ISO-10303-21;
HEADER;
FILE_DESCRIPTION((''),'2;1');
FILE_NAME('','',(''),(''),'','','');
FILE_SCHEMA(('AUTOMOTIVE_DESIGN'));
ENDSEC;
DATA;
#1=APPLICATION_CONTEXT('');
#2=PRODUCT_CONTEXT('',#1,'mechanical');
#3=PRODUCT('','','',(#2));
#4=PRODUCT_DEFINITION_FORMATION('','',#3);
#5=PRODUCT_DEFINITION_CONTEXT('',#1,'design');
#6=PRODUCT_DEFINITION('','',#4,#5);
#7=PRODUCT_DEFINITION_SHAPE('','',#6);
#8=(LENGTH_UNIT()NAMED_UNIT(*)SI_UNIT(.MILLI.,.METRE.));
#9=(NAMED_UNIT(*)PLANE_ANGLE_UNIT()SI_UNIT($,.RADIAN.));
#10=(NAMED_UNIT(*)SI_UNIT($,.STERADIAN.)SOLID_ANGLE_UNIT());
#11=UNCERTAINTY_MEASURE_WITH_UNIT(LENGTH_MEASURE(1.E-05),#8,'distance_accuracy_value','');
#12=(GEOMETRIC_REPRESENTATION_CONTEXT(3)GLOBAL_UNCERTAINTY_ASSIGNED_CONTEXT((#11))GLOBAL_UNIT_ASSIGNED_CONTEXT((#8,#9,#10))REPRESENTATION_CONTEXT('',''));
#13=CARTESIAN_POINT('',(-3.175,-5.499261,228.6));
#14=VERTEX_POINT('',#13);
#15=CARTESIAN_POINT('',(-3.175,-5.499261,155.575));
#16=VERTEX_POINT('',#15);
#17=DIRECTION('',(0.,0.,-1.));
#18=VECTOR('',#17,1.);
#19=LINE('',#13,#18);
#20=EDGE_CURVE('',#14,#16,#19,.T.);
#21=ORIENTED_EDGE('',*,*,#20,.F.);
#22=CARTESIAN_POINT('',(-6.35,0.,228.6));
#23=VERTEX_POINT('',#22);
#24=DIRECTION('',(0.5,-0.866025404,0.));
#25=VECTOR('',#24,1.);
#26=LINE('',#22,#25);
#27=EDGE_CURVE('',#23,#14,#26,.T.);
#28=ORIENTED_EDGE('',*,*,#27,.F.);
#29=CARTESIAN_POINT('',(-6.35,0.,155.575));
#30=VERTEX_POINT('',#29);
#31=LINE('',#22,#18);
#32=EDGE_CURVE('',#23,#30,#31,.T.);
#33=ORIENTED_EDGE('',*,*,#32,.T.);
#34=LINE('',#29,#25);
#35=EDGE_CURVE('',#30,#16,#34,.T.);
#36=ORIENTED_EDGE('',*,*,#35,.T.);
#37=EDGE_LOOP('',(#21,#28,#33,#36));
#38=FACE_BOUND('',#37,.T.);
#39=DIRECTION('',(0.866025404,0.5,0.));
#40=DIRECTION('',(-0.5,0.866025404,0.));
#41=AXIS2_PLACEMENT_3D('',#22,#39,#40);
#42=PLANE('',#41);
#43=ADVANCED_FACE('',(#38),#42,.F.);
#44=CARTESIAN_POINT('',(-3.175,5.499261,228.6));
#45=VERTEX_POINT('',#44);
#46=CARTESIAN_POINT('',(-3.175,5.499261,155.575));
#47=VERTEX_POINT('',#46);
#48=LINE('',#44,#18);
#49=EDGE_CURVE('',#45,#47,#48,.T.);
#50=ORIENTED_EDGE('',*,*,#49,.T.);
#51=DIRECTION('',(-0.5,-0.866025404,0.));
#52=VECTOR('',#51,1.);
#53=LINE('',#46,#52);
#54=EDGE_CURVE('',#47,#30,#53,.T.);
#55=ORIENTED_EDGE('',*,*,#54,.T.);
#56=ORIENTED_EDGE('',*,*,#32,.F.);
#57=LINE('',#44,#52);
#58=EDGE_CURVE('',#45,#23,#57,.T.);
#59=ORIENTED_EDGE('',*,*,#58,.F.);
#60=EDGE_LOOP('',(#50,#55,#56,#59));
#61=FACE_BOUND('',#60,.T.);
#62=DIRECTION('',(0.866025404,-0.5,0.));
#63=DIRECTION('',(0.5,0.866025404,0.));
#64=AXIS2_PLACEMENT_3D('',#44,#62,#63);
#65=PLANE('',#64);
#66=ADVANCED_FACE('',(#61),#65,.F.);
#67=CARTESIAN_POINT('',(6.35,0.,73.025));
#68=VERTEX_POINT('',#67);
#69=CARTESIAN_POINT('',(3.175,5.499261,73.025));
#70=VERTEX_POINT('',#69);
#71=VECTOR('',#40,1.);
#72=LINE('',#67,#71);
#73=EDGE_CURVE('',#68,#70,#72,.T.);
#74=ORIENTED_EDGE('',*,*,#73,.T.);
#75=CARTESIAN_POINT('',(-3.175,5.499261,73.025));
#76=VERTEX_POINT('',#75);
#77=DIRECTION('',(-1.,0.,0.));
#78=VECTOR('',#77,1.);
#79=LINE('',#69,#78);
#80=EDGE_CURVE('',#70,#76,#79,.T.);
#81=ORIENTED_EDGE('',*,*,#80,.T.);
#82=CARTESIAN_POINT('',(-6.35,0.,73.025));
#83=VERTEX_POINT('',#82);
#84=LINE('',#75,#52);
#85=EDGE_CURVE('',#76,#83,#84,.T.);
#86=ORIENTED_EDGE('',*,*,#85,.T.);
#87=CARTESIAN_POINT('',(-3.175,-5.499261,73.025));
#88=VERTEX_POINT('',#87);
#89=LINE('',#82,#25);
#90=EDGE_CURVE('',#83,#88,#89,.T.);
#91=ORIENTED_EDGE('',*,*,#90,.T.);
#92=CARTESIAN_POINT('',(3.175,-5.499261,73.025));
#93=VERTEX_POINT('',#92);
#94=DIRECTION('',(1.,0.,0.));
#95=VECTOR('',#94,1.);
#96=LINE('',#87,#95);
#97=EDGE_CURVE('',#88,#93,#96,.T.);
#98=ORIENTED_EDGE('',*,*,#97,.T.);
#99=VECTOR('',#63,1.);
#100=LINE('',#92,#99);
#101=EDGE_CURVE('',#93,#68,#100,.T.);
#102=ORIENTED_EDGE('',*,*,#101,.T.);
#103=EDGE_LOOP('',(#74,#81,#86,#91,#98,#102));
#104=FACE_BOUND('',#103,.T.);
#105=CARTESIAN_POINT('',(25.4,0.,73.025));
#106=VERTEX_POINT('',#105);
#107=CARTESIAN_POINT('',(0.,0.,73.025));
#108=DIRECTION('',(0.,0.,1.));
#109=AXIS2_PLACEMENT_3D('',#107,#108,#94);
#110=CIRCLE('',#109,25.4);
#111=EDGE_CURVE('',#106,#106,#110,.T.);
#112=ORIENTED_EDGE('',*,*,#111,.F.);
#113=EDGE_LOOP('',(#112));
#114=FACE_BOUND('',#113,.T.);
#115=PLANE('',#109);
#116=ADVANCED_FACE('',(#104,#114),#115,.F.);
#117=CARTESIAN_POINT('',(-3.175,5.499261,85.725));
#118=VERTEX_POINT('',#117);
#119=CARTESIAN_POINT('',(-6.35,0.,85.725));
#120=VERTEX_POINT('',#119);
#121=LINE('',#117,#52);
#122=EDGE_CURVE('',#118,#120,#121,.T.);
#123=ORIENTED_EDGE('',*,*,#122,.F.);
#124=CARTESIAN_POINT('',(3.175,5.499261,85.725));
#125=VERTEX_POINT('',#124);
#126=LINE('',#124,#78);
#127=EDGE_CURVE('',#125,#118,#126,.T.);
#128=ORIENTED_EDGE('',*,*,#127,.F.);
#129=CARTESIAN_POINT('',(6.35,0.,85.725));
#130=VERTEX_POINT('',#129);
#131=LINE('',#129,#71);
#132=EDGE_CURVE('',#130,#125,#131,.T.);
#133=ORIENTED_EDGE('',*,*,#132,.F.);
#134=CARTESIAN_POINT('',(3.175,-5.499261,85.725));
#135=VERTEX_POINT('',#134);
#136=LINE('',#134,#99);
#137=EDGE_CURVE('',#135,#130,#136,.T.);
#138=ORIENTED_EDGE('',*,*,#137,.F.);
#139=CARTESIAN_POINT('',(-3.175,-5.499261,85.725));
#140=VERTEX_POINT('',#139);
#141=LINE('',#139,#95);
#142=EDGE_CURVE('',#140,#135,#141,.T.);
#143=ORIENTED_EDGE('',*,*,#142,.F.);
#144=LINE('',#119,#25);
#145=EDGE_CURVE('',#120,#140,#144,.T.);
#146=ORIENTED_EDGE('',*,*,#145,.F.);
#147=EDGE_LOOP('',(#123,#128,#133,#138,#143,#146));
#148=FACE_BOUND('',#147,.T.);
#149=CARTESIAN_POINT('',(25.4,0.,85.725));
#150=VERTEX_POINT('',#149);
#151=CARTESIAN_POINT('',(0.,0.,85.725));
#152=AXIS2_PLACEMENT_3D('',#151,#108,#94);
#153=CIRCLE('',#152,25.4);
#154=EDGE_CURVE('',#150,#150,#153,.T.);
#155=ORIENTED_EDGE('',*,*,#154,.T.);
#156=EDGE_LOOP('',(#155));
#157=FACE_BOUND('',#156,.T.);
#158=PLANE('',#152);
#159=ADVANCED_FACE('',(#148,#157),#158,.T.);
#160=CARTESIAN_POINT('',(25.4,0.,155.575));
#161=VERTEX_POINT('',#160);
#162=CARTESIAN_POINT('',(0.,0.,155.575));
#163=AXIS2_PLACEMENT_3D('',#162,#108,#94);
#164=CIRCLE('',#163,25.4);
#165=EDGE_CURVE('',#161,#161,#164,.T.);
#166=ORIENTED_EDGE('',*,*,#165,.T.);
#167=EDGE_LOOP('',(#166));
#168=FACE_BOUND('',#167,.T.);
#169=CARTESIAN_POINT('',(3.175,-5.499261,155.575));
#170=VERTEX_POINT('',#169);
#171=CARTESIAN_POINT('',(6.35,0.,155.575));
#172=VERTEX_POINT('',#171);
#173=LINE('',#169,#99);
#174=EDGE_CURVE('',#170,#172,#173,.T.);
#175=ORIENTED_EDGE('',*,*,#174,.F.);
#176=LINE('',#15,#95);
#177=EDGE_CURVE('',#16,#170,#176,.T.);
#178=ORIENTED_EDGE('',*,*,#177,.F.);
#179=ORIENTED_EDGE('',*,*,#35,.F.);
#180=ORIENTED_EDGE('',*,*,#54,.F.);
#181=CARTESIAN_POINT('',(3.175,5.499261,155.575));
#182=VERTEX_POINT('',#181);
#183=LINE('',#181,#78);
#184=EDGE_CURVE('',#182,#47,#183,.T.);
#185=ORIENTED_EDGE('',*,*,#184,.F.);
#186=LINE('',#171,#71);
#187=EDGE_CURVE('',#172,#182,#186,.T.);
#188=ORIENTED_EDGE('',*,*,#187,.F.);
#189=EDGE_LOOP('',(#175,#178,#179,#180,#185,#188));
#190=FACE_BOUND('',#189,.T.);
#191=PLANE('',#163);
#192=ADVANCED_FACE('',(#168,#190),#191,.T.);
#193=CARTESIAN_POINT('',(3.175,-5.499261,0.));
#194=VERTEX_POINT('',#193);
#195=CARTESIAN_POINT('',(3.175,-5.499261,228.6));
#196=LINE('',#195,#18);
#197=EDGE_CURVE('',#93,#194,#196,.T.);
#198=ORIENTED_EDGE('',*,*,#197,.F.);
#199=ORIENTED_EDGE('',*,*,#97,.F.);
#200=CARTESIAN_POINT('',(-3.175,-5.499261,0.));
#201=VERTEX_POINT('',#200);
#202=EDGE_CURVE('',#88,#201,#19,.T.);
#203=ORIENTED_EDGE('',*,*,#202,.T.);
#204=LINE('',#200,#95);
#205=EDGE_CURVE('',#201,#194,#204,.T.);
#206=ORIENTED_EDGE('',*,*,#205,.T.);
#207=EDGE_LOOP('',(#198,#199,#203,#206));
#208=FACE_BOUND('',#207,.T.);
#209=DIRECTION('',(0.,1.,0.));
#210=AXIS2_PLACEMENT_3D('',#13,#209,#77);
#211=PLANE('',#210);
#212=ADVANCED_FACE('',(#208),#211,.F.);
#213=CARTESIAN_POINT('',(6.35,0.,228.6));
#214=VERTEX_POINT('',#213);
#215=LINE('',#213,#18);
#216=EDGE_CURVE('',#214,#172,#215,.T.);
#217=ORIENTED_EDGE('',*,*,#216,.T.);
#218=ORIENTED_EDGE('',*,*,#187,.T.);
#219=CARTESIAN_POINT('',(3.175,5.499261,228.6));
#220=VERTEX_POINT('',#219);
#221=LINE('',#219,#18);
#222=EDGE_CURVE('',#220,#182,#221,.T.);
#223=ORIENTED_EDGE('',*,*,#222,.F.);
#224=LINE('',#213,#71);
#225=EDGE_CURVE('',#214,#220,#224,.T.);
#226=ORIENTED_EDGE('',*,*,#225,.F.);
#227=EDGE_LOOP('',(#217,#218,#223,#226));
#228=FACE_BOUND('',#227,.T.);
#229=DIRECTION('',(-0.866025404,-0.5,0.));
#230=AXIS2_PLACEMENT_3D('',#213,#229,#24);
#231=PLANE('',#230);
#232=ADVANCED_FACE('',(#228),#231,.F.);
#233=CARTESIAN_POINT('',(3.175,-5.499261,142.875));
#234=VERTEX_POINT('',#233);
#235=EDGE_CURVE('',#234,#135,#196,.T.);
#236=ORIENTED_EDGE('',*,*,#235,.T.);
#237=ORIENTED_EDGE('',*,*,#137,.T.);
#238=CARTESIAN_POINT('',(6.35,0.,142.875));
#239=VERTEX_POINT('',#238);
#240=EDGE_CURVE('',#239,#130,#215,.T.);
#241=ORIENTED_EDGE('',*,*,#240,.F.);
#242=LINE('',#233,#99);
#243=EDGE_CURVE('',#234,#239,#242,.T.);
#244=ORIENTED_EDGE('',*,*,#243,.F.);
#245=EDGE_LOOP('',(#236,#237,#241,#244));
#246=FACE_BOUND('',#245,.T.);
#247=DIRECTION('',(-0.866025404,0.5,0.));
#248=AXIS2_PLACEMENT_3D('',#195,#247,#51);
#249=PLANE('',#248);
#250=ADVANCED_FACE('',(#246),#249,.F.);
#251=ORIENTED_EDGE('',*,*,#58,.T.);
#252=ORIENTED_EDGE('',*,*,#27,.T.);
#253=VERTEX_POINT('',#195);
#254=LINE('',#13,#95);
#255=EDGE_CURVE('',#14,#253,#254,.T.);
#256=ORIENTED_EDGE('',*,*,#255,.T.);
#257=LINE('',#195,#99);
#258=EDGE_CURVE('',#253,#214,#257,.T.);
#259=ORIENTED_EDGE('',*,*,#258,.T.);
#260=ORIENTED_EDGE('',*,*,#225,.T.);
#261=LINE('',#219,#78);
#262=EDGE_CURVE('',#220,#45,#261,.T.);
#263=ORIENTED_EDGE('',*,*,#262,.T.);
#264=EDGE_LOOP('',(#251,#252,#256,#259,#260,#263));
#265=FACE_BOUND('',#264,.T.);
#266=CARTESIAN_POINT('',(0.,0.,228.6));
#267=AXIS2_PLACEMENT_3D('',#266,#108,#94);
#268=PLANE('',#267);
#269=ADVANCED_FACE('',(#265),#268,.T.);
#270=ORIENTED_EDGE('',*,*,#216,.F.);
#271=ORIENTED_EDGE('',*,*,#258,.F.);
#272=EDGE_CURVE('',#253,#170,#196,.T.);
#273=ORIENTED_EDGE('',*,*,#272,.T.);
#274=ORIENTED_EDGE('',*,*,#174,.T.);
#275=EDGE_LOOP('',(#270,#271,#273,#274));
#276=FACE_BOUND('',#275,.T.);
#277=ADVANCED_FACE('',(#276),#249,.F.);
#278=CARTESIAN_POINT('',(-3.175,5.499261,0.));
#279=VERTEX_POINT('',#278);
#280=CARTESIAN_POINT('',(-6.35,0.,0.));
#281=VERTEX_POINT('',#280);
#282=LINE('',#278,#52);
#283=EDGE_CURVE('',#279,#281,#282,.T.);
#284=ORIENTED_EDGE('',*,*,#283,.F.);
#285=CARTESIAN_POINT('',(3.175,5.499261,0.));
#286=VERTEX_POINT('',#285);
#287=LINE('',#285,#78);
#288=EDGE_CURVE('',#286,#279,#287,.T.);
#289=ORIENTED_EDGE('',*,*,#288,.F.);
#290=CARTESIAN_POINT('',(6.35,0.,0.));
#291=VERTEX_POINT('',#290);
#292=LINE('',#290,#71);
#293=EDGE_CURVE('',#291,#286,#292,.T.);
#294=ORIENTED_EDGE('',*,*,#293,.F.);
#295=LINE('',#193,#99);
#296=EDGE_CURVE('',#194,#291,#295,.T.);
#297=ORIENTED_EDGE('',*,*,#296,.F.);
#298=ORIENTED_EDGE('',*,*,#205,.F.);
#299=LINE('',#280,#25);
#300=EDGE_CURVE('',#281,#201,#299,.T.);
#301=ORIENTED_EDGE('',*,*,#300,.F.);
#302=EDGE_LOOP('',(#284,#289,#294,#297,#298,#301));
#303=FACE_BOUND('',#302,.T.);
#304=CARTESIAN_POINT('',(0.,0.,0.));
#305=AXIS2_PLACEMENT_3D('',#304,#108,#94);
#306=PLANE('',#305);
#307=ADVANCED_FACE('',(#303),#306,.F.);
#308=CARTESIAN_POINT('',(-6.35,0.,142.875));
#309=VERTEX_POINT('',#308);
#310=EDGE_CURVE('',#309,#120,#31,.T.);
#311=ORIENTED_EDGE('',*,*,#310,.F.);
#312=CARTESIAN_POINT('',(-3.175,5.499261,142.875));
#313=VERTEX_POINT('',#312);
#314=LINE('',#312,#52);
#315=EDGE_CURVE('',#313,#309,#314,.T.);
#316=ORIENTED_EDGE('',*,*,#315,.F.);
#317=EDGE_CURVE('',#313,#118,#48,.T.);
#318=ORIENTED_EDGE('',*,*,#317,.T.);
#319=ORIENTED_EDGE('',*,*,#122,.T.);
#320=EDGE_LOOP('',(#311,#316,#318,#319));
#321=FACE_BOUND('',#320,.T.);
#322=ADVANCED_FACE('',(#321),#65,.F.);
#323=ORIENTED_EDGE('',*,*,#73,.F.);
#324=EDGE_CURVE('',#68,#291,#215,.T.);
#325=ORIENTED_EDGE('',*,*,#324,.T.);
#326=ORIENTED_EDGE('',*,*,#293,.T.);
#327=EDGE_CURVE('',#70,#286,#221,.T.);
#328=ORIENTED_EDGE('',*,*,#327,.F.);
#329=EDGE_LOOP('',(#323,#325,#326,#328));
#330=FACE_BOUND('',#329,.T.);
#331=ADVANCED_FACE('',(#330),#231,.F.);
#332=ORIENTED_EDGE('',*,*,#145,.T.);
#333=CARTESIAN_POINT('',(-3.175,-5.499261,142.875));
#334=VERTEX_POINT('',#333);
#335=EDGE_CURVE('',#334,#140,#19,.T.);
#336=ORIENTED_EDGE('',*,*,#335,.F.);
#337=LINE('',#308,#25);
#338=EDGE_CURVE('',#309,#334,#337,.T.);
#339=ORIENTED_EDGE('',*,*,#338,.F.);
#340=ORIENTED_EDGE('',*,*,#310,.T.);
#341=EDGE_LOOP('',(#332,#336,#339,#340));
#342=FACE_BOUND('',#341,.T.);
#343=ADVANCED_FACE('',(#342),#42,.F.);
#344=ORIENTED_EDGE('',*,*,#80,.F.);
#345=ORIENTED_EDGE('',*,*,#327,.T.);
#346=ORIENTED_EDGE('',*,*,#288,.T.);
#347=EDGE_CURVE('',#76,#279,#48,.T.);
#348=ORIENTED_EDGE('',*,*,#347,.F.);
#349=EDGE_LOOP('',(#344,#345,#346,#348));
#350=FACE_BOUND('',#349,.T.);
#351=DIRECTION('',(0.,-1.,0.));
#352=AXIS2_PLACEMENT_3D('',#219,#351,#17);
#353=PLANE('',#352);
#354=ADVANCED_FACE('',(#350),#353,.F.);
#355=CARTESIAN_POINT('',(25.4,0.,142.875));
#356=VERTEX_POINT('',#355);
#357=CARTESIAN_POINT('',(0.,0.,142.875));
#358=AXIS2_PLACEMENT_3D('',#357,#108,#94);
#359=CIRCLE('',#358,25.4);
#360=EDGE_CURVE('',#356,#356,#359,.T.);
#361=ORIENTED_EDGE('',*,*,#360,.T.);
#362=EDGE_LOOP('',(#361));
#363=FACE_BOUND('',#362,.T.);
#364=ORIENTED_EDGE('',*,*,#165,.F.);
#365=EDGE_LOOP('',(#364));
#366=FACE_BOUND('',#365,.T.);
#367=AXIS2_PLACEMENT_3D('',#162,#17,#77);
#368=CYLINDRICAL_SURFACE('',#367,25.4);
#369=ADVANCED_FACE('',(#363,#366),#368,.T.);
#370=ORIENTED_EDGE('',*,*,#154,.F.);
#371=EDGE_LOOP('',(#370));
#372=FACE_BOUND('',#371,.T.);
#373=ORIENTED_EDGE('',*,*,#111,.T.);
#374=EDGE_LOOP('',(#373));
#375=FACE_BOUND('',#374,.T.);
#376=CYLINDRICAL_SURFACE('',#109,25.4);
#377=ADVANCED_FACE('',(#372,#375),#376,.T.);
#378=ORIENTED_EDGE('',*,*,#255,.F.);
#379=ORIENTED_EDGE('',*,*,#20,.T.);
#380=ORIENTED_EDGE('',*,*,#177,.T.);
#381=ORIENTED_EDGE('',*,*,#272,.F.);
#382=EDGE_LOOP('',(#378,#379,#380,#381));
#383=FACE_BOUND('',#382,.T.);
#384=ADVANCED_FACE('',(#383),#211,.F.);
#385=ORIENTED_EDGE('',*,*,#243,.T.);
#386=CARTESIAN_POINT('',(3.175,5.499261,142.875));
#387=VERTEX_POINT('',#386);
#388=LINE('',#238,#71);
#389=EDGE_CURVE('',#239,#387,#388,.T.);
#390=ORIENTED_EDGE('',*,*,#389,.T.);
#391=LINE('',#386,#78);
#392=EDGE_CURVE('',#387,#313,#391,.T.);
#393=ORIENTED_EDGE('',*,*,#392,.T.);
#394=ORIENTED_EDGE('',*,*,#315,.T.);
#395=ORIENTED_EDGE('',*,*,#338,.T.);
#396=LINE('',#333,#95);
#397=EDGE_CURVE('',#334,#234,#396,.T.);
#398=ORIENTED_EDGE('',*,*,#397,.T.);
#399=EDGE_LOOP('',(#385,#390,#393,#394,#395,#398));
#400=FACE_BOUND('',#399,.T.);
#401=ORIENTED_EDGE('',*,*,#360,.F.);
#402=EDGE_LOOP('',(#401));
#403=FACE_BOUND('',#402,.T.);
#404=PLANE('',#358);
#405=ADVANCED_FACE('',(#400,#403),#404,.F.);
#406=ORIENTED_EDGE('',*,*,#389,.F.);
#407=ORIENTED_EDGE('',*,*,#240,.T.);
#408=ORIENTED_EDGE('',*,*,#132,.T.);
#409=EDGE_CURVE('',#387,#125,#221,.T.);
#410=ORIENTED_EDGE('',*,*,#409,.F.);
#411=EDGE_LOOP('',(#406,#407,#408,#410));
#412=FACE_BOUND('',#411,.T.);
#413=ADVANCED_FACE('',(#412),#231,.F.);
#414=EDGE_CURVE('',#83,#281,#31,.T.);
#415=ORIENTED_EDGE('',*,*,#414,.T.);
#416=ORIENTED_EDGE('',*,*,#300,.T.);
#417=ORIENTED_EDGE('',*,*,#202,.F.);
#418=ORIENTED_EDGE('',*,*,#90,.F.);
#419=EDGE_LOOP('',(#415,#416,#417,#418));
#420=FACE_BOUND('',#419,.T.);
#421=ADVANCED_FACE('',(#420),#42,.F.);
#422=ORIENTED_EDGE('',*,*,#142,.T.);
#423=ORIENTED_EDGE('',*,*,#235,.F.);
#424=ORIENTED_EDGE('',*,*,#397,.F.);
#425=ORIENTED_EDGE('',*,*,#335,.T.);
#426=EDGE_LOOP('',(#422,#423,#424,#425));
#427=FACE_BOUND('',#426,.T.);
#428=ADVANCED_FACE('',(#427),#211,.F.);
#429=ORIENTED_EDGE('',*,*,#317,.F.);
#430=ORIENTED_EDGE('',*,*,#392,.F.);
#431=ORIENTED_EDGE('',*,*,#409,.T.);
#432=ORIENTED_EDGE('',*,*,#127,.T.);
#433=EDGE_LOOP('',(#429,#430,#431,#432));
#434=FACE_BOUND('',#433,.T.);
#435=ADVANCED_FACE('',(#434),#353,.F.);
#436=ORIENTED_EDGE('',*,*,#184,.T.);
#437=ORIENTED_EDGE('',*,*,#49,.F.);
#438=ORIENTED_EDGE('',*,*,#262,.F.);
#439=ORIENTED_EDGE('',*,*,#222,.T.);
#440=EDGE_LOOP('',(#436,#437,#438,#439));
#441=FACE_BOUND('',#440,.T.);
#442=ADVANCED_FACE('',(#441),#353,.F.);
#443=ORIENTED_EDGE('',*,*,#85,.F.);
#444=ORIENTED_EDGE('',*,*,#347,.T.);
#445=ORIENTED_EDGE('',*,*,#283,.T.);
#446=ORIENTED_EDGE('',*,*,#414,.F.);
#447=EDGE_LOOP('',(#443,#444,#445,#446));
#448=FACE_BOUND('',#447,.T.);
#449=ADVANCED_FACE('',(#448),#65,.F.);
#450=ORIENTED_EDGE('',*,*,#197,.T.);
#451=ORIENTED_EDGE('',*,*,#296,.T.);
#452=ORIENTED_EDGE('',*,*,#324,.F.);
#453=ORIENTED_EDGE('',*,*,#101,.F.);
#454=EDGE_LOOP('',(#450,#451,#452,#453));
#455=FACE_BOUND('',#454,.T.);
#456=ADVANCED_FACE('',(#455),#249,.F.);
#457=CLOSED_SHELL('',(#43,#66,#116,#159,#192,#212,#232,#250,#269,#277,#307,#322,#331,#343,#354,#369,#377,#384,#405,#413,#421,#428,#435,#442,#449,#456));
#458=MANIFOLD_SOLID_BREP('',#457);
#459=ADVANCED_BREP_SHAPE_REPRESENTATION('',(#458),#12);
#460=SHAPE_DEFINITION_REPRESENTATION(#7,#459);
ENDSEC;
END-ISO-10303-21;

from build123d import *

# Parameters (mm, degrees)
BOSS_EXTRUDE1_DEPTH = 228.6
SKETCH2_R           = 25.4
BOSS_EXTRUDE2_DEPTH = 12.7
SKETCH3_R           = 25.4
BOSS_EXTRUDE3_DEPTH = 12.7


with BuildPart() as part:
    # Sketch1 → Boss-Extrude1 (new body)
    with BuildSketch(Plane.XY):
        Polygon((-3.175, 5.499261314), (-6.35, 0), (-3.175, -5.499261314), (3.175, -5.499261314), (6.35, 0), (3.175, 5.499261314), align=None)
    extrude(amount=BOSS_EXTRUDE1_DEPTH)

    # Sketch2 → Boss-Extrude2 (add)
    with BuildSketch(Plane.XY.offset(85.725)):
        Circle(SKETCH2_R)
    extrude(amount=-BOSS_EXTRUDE2_DEPTH)

    # Sketch3 → Boss-Extrude3 (add)
    with BuildSketch(Plane.XY.offset(142.875)):
        Circle(SKETCH3_R)
    extrude(amount=BOSS_EXTRUDE3_DEPTH)


solid = part.part
